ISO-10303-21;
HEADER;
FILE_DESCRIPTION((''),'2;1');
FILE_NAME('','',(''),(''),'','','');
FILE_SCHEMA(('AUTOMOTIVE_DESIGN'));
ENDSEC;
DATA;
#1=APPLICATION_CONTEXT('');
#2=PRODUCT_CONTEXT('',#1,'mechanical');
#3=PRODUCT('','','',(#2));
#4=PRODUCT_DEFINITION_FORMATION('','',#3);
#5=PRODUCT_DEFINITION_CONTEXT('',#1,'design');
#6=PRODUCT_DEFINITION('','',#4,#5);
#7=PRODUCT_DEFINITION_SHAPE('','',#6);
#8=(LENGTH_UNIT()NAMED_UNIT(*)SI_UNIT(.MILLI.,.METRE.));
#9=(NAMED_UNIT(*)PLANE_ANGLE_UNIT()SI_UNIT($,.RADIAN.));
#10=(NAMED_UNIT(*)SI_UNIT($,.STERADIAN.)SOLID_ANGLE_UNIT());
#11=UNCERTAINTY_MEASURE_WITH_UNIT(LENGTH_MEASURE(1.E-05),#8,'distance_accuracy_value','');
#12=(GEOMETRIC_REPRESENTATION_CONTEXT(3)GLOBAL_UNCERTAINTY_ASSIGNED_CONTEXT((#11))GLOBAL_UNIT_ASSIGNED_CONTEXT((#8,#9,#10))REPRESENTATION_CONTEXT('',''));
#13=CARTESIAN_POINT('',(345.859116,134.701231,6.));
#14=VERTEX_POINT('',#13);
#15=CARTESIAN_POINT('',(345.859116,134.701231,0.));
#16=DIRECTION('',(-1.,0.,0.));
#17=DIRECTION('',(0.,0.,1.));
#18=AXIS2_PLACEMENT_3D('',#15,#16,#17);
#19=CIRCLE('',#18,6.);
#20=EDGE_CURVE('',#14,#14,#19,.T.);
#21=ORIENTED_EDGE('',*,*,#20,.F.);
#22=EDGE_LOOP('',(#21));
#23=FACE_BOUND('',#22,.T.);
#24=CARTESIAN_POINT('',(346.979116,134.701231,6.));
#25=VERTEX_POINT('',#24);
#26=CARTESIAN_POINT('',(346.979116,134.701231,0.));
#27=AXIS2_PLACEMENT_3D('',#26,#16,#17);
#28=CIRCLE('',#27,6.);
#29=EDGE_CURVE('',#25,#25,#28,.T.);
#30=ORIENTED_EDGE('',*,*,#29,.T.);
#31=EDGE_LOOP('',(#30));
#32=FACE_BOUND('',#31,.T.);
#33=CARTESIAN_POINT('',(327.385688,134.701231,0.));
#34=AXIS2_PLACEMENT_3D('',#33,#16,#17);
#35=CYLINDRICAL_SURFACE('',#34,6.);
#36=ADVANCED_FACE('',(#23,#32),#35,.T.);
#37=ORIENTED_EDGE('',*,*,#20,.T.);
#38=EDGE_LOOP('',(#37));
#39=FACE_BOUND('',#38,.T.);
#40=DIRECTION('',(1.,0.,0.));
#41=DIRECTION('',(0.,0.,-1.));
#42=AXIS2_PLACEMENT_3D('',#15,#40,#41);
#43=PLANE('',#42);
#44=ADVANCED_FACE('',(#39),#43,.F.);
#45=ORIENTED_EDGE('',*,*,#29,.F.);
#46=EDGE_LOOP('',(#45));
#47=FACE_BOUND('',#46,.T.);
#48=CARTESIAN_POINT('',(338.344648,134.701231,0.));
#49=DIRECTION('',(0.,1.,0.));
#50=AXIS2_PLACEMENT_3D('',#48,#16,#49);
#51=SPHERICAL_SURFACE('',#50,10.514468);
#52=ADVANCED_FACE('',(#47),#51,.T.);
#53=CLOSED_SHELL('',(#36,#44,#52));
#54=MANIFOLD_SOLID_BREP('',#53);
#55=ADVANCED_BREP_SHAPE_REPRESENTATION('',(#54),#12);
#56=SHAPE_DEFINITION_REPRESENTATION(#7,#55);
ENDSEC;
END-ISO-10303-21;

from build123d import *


with BuildPart() as part:
    # 草图1 → 旋转1 (revolve)
    with BuildSketch(Plane.XY):
        with BuildLine():
            Line((345.8591158, 134.701231316), (345.8591158, 140.701231316))
            Line((345.8591158, 140.701231316), (346.9791158, 140.701231316))
            ThreePointArc((346.9791158, 140.701231316), (348.378113672, 137.84505065), (348.8591158, 134.701231316))
            Line((348.8591158, 134.701231316), (345.8591158, 134.701231316))
        make_face()
    revolve(axis=Axis((327.38568814, 134.701231316, 0), (1, 0, 0)))


solid = part.part
